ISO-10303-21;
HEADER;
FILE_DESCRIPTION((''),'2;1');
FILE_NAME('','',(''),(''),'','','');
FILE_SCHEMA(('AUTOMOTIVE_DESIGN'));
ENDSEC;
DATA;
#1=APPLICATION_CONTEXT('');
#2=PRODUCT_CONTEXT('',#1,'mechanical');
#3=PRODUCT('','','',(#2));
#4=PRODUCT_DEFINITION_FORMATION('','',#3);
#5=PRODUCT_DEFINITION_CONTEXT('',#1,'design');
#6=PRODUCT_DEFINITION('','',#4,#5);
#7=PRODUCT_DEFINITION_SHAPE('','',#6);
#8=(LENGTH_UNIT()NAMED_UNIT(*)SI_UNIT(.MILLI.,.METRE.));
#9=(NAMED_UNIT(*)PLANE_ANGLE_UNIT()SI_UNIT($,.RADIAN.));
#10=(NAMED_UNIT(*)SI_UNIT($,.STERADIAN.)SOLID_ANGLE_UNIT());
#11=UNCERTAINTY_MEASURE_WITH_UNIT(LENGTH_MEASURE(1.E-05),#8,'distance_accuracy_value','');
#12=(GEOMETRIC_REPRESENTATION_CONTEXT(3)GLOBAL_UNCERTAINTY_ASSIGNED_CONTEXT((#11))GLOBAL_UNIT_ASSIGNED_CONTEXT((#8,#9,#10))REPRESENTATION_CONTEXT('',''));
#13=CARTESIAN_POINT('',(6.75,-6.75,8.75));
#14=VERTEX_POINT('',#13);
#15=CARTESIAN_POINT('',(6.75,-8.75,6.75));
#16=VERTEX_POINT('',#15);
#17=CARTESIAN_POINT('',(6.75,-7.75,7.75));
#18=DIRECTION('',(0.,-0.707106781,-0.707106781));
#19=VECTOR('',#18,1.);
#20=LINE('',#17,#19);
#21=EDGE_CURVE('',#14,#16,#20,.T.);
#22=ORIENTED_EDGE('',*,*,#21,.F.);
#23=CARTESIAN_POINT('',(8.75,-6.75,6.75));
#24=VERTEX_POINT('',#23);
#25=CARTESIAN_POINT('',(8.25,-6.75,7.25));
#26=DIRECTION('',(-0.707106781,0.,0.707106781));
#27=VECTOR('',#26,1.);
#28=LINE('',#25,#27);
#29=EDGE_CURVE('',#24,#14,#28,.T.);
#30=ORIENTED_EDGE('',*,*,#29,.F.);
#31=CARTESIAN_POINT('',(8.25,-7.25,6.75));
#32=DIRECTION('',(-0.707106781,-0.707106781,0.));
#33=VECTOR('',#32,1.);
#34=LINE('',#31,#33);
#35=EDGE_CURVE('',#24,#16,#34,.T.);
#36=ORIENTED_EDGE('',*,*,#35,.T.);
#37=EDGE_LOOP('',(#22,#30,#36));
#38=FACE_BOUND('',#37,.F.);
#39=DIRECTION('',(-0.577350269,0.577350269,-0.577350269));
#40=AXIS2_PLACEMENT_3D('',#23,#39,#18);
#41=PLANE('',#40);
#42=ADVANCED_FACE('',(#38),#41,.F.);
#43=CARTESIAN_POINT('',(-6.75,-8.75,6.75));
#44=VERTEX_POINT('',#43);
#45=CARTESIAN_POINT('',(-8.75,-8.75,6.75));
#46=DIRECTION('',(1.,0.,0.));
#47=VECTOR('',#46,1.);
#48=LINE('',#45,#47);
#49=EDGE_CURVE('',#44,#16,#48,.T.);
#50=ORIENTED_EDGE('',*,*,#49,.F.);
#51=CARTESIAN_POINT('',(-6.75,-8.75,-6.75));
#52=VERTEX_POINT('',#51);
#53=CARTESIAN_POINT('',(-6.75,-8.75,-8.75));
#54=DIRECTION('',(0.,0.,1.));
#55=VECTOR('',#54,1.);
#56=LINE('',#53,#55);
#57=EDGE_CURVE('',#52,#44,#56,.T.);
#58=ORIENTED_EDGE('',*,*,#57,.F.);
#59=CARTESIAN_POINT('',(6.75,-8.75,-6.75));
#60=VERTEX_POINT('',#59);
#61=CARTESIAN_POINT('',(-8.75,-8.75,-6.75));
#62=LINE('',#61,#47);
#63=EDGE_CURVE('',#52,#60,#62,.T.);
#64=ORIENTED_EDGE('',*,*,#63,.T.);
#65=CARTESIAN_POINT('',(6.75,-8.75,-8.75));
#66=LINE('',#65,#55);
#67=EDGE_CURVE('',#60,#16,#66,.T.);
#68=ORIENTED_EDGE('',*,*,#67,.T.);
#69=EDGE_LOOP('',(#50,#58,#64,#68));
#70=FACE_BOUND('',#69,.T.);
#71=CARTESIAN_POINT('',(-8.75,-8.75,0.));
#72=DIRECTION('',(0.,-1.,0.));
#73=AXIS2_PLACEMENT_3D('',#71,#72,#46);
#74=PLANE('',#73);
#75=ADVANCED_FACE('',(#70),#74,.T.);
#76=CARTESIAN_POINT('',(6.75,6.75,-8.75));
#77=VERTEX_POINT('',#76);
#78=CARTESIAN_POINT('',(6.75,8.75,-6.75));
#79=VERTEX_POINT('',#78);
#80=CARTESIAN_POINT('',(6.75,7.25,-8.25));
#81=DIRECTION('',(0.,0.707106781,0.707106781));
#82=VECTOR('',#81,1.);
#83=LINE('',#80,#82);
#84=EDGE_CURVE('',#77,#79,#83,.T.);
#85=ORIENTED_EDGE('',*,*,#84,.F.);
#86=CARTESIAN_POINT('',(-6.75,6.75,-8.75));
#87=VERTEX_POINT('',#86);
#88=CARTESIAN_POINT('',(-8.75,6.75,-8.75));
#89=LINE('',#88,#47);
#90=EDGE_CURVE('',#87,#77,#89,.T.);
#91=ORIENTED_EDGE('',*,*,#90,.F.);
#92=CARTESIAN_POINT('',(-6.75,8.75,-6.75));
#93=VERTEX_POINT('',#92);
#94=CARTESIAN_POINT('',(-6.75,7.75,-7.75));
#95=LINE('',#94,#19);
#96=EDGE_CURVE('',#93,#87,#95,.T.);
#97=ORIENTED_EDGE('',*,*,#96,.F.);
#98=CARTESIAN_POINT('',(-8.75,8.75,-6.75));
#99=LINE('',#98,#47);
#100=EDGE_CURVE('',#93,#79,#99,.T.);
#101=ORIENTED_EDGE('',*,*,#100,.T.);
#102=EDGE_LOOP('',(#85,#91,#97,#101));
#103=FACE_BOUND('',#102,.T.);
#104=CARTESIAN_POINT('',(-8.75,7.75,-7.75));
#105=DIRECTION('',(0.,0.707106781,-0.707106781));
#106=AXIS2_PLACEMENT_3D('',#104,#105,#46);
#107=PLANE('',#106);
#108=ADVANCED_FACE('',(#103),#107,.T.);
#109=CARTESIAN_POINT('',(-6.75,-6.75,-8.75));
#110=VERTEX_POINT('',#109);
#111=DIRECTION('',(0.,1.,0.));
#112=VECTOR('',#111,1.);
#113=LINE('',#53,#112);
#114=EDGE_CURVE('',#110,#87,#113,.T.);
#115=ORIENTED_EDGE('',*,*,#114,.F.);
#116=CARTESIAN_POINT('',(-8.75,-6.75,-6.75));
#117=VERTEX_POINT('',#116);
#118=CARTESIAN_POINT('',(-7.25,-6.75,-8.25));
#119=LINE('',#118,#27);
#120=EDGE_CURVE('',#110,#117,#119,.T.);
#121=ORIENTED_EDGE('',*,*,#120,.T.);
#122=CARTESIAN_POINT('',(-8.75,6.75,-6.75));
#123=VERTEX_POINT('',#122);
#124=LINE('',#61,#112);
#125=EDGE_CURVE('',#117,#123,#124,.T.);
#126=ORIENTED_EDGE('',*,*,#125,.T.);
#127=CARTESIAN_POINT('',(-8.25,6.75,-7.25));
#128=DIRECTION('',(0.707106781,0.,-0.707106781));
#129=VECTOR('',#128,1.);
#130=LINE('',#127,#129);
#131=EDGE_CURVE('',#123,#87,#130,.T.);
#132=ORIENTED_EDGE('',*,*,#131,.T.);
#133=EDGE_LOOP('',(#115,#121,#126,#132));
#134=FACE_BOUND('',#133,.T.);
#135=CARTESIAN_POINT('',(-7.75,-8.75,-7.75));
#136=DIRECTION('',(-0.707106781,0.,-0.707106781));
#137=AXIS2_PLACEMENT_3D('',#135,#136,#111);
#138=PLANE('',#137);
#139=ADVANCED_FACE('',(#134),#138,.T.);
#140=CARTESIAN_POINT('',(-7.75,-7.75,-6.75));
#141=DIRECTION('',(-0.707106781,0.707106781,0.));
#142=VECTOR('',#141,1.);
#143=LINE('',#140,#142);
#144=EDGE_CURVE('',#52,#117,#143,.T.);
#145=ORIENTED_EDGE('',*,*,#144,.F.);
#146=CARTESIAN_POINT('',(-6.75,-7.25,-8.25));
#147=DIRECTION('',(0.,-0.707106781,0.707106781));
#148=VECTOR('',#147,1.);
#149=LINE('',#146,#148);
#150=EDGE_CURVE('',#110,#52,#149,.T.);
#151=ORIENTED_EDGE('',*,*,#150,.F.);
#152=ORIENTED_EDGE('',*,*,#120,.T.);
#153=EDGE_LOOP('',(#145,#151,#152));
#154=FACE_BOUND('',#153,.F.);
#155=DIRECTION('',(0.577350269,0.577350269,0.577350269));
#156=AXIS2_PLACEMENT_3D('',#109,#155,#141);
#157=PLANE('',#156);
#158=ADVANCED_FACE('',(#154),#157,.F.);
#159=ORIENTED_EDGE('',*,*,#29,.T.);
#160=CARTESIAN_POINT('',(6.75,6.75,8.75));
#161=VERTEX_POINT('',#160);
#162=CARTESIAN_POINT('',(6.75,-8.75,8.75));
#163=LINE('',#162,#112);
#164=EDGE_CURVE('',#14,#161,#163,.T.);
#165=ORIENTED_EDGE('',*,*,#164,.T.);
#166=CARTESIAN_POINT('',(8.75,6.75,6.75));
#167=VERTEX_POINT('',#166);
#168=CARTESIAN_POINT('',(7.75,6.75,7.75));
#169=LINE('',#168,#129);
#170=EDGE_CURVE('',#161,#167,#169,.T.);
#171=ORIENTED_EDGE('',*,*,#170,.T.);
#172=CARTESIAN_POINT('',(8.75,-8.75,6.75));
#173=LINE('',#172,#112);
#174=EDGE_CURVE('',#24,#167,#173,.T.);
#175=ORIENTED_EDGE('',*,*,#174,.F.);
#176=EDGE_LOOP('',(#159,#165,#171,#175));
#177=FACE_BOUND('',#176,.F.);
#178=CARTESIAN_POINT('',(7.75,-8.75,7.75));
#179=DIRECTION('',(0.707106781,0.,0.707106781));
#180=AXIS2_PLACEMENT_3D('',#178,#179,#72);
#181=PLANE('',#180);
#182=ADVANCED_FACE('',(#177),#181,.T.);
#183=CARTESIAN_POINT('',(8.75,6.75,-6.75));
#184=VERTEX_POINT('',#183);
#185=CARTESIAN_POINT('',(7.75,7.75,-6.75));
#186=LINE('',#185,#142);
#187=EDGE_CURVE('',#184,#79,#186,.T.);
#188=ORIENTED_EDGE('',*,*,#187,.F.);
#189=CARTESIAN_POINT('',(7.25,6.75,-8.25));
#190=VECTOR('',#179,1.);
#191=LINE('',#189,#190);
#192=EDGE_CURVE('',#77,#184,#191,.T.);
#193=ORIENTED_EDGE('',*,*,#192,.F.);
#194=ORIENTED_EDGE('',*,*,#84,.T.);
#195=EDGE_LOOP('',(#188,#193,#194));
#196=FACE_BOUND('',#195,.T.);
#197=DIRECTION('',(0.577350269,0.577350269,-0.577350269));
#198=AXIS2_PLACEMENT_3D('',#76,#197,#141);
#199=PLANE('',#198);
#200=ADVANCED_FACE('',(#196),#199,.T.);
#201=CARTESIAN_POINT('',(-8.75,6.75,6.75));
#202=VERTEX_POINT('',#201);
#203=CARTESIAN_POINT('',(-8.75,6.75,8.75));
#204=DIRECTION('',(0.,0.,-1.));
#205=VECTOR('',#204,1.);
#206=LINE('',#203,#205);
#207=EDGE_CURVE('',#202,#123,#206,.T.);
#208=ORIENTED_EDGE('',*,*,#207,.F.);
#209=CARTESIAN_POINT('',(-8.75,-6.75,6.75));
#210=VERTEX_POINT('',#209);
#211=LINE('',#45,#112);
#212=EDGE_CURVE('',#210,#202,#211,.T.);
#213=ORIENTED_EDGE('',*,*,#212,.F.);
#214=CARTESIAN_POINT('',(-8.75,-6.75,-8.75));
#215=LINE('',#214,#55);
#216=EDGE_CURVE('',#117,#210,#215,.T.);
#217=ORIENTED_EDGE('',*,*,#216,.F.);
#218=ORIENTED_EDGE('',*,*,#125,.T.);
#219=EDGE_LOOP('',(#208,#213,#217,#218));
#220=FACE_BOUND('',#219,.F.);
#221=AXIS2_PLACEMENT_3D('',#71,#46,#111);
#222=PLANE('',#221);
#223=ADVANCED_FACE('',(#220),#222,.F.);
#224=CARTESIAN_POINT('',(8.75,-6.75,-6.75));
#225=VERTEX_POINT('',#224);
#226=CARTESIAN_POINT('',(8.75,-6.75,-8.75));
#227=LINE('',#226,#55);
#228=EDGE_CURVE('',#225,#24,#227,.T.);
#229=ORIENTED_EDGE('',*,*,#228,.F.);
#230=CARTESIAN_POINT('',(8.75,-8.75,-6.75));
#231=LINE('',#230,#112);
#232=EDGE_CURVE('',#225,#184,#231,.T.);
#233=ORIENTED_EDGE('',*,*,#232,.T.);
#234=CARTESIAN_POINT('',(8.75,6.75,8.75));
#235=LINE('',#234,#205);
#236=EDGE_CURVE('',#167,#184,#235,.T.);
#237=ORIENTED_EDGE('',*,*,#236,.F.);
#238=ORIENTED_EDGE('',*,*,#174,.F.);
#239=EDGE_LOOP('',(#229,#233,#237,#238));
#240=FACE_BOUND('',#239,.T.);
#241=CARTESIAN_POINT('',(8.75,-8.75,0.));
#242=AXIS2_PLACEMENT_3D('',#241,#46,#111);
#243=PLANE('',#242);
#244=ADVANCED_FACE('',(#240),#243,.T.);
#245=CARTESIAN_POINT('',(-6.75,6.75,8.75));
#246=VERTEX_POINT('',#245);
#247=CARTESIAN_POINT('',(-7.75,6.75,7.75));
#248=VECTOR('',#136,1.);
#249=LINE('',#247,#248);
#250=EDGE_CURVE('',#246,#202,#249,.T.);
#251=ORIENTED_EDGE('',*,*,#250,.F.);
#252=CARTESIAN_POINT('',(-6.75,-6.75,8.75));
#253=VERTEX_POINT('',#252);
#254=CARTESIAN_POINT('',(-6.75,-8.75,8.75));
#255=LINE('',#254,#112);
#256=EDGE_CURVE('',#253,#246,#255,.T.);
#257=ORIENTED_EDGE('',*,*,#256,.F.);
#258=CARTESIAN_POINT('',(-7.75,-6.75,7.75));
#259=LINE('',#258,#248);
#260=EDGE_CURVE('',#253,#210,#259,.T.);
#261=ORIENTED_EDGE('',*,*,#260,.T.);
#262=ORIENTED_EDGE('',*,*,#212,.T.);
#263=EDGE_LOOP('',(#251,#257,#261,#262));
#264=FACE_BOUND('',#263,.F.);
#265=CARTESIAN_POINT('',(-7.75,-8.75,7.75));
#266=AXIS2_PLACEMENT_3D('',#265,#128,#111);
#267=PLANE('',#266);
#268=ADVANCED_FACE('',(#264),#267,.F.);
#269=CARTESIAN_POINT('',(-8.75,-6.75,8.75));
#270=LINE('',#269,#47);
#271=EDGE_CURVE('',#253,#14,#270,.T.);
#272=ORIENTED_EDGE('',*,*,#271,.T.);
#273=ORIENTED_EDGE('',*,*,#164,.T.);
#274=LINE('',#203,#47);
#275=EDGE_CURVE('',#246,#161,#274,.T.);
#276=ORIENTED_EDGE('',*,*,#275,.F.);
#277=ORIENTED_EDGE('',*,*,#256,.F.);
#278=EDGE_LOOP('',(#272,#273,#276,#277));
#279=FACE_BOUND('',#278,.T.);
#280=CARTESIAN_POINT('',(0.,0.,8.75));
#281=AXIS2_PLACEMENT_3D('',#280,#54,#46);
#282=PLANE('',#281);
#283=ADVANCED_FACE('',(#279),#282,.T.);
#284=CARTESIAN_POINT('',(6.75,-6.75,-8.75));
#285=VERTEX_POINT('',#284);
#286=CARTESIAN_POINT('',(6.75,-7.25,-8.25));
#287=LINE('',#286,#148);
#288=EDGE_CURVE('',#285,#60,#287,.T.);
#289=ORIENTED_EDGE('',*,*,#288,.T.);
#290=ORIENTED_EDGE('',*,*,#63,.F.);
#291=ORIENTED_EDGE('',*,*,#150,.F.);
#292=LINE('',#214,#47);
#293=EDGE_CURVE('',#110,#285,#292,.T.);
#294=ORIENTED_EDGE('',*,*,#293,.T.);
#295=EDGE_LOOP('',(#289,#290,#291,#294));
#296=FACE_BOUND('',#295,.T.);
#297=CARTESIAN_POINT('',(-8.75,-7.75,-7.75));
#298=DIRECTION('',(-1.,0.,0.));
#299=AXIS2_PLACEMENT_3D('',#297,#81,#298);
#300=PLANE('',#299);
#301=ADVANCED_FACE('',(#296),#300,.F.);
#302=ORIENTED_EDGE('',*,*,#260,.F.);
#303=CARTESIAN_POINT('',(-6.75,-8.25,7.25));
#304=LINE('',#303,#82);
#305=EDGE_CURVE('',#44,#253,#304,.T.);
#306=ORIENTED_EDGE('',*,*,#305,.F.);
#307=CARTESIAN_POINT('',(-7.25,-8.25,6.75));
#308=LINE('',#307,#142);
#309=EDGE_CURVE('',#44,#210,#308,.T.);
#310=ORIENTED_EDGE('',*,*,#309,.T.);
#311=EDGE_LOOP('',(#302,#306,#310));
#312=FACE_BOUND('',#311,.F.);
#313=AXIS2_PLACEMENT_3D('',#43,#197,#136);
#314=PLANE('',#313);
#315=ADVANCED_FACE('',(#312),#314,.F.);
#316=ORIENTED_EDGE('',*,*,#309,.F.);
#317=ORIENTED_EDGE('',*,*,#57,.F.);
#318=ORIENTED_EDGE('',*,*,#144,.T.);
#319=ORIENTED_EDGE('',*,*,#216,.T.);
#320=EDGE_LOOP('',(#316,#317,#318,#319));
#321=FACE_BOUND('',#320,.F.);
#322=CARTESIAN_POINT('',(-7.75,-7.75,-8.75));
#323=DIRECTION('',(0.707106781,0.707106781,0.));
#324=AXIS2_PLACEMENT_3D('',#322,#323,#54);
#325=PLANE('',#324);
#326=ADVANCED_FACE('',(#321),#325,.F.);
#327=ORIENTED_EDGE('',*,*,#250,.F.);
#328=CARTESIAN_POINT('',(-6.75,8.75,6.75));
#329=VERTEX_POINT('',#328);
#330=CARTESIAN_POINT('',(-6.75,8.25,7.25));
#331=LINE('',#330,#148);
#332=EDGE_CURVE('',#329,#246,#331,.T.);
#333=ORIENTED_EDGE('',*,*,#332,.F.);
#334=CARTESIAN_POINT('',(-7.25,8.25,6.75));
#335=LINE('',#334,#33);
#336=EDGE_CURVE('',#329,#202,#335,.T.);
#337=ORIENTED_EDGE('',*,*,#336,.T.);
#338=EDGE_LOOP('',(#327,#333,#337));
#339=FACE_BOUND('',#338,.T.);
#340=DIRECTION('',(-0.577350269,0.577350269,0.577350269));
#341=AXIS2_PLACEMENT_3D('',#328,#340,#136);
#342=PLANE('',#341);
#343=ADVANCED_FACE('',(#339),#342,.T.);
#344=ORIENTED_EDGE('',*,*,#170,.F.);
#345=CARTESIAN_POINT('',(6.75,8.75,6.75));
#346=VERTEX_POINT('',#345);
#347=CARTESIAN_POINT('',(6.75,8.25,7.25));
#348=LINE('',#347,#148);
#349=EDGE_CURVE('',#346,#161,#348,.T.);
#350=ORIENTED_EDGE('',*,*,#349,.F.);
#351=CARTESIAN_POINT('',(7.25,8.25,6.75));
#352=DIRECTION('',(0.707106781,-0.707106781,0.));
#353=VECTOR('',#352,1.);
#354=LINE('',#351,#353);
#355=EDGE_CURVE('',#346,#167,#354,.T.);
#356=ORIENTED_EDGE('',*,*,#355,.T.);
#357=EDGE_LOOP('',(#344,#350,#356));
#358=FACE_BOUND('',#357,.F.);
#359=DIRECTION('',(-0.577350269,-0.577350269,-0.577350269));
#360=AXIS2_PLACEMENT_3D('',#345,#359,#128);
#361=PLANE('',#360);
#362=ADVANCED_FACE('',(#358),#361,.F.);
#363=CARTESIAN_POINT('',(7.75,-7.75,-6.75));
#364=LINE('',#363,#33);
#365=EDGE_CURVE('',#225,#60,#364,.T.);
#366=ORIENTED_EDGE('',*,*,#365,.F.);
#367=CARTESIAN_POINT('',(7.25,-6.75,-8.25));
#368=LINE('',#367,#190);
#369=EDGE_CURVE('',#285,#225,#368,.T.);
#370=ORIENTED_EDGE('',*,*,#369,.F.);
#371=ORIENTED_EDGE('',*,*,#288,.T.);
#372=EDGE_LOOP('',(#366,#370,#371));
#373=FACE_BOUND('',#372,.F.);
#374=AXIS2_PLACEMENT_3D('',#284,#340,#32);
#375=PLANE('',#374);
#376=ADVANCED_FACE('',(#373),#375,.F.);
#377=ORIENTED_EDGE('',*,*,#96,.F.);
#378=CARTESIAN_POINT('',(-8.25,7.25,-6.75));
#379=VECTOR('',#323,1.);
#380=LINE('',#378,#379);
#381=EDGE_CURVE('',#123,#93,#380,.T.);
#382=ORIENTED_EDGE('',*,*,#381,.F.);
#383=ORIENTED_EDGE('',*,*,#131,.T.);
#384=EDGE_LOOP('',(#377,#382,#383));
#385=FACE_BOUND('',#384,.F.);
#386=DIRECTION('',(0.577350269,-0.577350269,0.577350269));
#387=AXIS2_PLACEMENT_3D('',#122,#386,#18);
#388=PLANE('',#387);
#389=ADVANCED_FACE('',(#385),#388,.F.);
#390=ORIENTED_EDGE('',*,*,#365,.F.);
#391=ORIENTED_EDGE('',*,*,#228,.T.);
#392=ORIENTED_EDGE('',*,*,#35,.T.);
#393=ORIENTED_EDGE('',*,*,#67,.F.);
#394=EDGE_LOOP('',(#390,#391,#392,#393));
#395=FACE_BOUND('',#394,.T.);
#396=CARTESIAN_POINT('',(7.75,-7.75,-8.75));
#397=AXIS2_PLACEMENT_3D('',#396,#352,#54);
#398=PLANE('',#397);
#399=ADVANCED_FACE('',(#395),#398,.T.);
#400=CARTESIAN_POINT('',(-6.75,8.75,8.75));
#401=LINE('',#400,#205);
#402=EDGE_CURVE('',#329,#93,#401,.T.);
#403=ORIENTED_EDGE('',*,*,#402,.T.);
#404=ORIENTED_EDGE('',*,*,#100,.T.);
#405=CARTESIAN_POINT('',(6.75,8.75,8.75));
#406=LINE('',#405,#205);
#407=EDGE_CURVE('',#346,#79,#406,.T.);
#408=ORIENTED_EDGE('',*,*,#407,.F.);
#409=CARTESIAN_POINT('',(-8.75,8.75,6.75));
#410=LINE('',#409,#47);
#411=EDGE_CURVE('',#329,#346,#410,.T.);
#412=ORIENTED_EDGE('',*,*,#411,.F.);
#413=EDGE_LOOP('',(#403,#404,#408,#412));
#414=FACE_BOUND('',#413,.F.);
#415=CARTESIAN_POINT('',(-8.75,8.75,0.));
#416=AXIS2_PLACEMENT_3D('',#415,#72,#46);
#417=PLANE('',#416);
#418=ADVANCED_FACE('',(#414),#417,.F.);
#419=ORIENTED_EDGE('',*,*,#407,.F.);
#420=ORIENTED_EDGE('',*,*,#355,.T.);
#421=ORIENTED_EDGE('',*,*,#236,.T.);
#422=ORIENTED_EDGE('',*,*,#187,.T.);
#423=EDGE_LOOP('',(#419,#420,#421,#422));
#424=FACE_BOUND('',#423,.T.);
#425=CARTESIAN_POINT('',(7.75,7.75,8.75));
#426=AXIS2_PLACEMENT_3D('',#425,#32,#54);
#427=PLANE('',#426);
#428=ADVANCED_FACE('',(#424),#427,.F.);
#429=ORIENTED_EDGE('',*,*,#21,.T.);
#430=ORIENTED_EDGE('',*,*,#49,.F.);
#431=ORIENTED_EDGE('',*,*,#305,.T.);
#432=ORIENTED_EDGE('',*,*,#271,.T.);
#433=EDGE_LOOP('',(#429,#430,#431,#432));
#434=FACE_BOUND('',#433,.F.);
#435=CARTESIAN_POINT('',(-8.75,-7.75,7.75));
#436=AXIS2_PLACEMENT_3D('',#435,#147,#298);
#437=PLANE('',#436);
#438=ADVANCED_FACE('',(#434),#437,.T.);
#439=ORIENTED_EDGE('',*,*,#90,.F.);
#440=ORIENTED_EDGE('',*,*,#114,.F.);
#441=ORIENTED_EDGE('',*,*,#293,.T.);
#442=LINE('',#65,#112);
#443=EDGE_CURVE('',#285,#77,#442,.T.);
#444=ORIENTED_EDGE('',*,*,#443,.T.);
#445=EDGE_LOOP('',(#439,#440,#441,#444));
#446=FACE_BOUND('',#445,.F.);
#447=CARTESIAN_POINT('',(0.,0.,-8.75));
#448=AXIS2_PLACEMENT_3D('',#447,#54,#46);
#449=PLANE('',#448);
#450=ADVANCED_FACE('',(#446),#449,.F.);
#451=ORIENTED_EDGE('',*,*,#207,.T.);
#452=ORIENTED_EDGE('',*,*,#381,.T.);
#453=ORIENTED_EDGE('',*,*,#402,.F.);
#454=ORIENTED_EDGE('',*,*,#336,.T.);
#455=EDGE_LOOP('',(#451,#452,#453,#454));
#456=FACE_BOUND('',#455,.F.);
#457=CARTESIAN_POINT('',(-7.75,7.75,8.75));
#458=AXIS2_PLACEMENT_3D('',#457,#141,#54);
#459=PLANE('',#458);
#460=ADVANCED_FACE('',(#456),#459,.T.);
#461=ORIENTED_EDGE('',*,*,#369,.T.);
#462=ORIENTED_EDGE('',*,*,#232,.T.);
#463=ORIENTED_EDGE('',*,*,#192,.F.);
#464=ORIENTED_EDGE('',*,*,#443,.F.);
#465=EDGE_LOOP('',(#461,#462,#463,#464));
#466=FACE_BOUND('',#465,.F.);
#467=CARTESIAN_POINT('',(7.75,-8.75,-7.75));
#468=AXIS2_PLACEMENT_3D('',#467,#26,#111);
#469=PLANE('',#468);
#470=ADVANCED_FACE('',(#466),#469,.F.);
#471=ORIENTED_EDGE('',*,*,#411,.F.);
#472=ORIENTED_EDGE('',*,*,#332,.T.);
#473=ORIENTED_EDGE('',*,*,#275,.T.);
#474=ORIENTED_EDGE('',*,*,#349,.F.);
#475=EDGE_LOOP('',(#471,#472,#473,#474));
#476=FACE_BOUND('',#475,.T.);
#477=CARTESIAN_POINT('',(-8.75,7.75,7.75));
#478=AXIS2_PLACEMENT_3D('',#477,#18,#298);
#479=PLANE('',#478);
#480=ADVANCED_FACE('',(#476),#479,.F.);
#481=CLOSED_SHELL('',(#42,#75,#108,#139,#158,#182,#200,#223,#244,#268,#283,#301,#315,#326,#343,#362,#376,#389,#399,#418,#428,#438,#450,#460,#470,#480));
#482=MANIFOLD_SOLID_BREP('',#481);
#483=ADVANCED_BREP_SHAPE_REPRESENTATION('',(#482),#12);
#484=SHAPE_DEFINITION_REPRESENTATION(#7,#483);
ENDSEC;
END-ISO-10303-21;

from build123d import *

# Parameters (mm, degrees)
F0_W     = 17.5
F0_H     = 17.5
F1_DEPTH = 8.75
F2_SIZE  = 2


with BuildPart() as f1:
    # F0 (on Top) → F1 (new body, symmetric)
    with BuildSketch(Plane.XY):
        Rectangle(F0_W, F0_H)
    extrude(amount=F1_DEPTH, both=True)

    # F2
    f2_edges = [f1.edges().sort_by_distance(p)[0] for p in [
        (-8.75, 0, 8.75),
        (0, -8.75, 8.75),
        (8.75, 0, 8.75),
        (0, 8.75, 8.75),
        (8.75, -8.75, 0),
        (8.75, 8.75, 0),
        (8.75, 0, -8.75),
        (0, 8.75, -8.75),
        (-8.75, 8.75, 0),
        (-8.75, -8.75, 0),
        (0, -8.75, -8.75),
        (-8.75, 0, -8.75),
    ]]
    chamfer(f2_edges, length=F2_SIZE)


solid = f1.part
